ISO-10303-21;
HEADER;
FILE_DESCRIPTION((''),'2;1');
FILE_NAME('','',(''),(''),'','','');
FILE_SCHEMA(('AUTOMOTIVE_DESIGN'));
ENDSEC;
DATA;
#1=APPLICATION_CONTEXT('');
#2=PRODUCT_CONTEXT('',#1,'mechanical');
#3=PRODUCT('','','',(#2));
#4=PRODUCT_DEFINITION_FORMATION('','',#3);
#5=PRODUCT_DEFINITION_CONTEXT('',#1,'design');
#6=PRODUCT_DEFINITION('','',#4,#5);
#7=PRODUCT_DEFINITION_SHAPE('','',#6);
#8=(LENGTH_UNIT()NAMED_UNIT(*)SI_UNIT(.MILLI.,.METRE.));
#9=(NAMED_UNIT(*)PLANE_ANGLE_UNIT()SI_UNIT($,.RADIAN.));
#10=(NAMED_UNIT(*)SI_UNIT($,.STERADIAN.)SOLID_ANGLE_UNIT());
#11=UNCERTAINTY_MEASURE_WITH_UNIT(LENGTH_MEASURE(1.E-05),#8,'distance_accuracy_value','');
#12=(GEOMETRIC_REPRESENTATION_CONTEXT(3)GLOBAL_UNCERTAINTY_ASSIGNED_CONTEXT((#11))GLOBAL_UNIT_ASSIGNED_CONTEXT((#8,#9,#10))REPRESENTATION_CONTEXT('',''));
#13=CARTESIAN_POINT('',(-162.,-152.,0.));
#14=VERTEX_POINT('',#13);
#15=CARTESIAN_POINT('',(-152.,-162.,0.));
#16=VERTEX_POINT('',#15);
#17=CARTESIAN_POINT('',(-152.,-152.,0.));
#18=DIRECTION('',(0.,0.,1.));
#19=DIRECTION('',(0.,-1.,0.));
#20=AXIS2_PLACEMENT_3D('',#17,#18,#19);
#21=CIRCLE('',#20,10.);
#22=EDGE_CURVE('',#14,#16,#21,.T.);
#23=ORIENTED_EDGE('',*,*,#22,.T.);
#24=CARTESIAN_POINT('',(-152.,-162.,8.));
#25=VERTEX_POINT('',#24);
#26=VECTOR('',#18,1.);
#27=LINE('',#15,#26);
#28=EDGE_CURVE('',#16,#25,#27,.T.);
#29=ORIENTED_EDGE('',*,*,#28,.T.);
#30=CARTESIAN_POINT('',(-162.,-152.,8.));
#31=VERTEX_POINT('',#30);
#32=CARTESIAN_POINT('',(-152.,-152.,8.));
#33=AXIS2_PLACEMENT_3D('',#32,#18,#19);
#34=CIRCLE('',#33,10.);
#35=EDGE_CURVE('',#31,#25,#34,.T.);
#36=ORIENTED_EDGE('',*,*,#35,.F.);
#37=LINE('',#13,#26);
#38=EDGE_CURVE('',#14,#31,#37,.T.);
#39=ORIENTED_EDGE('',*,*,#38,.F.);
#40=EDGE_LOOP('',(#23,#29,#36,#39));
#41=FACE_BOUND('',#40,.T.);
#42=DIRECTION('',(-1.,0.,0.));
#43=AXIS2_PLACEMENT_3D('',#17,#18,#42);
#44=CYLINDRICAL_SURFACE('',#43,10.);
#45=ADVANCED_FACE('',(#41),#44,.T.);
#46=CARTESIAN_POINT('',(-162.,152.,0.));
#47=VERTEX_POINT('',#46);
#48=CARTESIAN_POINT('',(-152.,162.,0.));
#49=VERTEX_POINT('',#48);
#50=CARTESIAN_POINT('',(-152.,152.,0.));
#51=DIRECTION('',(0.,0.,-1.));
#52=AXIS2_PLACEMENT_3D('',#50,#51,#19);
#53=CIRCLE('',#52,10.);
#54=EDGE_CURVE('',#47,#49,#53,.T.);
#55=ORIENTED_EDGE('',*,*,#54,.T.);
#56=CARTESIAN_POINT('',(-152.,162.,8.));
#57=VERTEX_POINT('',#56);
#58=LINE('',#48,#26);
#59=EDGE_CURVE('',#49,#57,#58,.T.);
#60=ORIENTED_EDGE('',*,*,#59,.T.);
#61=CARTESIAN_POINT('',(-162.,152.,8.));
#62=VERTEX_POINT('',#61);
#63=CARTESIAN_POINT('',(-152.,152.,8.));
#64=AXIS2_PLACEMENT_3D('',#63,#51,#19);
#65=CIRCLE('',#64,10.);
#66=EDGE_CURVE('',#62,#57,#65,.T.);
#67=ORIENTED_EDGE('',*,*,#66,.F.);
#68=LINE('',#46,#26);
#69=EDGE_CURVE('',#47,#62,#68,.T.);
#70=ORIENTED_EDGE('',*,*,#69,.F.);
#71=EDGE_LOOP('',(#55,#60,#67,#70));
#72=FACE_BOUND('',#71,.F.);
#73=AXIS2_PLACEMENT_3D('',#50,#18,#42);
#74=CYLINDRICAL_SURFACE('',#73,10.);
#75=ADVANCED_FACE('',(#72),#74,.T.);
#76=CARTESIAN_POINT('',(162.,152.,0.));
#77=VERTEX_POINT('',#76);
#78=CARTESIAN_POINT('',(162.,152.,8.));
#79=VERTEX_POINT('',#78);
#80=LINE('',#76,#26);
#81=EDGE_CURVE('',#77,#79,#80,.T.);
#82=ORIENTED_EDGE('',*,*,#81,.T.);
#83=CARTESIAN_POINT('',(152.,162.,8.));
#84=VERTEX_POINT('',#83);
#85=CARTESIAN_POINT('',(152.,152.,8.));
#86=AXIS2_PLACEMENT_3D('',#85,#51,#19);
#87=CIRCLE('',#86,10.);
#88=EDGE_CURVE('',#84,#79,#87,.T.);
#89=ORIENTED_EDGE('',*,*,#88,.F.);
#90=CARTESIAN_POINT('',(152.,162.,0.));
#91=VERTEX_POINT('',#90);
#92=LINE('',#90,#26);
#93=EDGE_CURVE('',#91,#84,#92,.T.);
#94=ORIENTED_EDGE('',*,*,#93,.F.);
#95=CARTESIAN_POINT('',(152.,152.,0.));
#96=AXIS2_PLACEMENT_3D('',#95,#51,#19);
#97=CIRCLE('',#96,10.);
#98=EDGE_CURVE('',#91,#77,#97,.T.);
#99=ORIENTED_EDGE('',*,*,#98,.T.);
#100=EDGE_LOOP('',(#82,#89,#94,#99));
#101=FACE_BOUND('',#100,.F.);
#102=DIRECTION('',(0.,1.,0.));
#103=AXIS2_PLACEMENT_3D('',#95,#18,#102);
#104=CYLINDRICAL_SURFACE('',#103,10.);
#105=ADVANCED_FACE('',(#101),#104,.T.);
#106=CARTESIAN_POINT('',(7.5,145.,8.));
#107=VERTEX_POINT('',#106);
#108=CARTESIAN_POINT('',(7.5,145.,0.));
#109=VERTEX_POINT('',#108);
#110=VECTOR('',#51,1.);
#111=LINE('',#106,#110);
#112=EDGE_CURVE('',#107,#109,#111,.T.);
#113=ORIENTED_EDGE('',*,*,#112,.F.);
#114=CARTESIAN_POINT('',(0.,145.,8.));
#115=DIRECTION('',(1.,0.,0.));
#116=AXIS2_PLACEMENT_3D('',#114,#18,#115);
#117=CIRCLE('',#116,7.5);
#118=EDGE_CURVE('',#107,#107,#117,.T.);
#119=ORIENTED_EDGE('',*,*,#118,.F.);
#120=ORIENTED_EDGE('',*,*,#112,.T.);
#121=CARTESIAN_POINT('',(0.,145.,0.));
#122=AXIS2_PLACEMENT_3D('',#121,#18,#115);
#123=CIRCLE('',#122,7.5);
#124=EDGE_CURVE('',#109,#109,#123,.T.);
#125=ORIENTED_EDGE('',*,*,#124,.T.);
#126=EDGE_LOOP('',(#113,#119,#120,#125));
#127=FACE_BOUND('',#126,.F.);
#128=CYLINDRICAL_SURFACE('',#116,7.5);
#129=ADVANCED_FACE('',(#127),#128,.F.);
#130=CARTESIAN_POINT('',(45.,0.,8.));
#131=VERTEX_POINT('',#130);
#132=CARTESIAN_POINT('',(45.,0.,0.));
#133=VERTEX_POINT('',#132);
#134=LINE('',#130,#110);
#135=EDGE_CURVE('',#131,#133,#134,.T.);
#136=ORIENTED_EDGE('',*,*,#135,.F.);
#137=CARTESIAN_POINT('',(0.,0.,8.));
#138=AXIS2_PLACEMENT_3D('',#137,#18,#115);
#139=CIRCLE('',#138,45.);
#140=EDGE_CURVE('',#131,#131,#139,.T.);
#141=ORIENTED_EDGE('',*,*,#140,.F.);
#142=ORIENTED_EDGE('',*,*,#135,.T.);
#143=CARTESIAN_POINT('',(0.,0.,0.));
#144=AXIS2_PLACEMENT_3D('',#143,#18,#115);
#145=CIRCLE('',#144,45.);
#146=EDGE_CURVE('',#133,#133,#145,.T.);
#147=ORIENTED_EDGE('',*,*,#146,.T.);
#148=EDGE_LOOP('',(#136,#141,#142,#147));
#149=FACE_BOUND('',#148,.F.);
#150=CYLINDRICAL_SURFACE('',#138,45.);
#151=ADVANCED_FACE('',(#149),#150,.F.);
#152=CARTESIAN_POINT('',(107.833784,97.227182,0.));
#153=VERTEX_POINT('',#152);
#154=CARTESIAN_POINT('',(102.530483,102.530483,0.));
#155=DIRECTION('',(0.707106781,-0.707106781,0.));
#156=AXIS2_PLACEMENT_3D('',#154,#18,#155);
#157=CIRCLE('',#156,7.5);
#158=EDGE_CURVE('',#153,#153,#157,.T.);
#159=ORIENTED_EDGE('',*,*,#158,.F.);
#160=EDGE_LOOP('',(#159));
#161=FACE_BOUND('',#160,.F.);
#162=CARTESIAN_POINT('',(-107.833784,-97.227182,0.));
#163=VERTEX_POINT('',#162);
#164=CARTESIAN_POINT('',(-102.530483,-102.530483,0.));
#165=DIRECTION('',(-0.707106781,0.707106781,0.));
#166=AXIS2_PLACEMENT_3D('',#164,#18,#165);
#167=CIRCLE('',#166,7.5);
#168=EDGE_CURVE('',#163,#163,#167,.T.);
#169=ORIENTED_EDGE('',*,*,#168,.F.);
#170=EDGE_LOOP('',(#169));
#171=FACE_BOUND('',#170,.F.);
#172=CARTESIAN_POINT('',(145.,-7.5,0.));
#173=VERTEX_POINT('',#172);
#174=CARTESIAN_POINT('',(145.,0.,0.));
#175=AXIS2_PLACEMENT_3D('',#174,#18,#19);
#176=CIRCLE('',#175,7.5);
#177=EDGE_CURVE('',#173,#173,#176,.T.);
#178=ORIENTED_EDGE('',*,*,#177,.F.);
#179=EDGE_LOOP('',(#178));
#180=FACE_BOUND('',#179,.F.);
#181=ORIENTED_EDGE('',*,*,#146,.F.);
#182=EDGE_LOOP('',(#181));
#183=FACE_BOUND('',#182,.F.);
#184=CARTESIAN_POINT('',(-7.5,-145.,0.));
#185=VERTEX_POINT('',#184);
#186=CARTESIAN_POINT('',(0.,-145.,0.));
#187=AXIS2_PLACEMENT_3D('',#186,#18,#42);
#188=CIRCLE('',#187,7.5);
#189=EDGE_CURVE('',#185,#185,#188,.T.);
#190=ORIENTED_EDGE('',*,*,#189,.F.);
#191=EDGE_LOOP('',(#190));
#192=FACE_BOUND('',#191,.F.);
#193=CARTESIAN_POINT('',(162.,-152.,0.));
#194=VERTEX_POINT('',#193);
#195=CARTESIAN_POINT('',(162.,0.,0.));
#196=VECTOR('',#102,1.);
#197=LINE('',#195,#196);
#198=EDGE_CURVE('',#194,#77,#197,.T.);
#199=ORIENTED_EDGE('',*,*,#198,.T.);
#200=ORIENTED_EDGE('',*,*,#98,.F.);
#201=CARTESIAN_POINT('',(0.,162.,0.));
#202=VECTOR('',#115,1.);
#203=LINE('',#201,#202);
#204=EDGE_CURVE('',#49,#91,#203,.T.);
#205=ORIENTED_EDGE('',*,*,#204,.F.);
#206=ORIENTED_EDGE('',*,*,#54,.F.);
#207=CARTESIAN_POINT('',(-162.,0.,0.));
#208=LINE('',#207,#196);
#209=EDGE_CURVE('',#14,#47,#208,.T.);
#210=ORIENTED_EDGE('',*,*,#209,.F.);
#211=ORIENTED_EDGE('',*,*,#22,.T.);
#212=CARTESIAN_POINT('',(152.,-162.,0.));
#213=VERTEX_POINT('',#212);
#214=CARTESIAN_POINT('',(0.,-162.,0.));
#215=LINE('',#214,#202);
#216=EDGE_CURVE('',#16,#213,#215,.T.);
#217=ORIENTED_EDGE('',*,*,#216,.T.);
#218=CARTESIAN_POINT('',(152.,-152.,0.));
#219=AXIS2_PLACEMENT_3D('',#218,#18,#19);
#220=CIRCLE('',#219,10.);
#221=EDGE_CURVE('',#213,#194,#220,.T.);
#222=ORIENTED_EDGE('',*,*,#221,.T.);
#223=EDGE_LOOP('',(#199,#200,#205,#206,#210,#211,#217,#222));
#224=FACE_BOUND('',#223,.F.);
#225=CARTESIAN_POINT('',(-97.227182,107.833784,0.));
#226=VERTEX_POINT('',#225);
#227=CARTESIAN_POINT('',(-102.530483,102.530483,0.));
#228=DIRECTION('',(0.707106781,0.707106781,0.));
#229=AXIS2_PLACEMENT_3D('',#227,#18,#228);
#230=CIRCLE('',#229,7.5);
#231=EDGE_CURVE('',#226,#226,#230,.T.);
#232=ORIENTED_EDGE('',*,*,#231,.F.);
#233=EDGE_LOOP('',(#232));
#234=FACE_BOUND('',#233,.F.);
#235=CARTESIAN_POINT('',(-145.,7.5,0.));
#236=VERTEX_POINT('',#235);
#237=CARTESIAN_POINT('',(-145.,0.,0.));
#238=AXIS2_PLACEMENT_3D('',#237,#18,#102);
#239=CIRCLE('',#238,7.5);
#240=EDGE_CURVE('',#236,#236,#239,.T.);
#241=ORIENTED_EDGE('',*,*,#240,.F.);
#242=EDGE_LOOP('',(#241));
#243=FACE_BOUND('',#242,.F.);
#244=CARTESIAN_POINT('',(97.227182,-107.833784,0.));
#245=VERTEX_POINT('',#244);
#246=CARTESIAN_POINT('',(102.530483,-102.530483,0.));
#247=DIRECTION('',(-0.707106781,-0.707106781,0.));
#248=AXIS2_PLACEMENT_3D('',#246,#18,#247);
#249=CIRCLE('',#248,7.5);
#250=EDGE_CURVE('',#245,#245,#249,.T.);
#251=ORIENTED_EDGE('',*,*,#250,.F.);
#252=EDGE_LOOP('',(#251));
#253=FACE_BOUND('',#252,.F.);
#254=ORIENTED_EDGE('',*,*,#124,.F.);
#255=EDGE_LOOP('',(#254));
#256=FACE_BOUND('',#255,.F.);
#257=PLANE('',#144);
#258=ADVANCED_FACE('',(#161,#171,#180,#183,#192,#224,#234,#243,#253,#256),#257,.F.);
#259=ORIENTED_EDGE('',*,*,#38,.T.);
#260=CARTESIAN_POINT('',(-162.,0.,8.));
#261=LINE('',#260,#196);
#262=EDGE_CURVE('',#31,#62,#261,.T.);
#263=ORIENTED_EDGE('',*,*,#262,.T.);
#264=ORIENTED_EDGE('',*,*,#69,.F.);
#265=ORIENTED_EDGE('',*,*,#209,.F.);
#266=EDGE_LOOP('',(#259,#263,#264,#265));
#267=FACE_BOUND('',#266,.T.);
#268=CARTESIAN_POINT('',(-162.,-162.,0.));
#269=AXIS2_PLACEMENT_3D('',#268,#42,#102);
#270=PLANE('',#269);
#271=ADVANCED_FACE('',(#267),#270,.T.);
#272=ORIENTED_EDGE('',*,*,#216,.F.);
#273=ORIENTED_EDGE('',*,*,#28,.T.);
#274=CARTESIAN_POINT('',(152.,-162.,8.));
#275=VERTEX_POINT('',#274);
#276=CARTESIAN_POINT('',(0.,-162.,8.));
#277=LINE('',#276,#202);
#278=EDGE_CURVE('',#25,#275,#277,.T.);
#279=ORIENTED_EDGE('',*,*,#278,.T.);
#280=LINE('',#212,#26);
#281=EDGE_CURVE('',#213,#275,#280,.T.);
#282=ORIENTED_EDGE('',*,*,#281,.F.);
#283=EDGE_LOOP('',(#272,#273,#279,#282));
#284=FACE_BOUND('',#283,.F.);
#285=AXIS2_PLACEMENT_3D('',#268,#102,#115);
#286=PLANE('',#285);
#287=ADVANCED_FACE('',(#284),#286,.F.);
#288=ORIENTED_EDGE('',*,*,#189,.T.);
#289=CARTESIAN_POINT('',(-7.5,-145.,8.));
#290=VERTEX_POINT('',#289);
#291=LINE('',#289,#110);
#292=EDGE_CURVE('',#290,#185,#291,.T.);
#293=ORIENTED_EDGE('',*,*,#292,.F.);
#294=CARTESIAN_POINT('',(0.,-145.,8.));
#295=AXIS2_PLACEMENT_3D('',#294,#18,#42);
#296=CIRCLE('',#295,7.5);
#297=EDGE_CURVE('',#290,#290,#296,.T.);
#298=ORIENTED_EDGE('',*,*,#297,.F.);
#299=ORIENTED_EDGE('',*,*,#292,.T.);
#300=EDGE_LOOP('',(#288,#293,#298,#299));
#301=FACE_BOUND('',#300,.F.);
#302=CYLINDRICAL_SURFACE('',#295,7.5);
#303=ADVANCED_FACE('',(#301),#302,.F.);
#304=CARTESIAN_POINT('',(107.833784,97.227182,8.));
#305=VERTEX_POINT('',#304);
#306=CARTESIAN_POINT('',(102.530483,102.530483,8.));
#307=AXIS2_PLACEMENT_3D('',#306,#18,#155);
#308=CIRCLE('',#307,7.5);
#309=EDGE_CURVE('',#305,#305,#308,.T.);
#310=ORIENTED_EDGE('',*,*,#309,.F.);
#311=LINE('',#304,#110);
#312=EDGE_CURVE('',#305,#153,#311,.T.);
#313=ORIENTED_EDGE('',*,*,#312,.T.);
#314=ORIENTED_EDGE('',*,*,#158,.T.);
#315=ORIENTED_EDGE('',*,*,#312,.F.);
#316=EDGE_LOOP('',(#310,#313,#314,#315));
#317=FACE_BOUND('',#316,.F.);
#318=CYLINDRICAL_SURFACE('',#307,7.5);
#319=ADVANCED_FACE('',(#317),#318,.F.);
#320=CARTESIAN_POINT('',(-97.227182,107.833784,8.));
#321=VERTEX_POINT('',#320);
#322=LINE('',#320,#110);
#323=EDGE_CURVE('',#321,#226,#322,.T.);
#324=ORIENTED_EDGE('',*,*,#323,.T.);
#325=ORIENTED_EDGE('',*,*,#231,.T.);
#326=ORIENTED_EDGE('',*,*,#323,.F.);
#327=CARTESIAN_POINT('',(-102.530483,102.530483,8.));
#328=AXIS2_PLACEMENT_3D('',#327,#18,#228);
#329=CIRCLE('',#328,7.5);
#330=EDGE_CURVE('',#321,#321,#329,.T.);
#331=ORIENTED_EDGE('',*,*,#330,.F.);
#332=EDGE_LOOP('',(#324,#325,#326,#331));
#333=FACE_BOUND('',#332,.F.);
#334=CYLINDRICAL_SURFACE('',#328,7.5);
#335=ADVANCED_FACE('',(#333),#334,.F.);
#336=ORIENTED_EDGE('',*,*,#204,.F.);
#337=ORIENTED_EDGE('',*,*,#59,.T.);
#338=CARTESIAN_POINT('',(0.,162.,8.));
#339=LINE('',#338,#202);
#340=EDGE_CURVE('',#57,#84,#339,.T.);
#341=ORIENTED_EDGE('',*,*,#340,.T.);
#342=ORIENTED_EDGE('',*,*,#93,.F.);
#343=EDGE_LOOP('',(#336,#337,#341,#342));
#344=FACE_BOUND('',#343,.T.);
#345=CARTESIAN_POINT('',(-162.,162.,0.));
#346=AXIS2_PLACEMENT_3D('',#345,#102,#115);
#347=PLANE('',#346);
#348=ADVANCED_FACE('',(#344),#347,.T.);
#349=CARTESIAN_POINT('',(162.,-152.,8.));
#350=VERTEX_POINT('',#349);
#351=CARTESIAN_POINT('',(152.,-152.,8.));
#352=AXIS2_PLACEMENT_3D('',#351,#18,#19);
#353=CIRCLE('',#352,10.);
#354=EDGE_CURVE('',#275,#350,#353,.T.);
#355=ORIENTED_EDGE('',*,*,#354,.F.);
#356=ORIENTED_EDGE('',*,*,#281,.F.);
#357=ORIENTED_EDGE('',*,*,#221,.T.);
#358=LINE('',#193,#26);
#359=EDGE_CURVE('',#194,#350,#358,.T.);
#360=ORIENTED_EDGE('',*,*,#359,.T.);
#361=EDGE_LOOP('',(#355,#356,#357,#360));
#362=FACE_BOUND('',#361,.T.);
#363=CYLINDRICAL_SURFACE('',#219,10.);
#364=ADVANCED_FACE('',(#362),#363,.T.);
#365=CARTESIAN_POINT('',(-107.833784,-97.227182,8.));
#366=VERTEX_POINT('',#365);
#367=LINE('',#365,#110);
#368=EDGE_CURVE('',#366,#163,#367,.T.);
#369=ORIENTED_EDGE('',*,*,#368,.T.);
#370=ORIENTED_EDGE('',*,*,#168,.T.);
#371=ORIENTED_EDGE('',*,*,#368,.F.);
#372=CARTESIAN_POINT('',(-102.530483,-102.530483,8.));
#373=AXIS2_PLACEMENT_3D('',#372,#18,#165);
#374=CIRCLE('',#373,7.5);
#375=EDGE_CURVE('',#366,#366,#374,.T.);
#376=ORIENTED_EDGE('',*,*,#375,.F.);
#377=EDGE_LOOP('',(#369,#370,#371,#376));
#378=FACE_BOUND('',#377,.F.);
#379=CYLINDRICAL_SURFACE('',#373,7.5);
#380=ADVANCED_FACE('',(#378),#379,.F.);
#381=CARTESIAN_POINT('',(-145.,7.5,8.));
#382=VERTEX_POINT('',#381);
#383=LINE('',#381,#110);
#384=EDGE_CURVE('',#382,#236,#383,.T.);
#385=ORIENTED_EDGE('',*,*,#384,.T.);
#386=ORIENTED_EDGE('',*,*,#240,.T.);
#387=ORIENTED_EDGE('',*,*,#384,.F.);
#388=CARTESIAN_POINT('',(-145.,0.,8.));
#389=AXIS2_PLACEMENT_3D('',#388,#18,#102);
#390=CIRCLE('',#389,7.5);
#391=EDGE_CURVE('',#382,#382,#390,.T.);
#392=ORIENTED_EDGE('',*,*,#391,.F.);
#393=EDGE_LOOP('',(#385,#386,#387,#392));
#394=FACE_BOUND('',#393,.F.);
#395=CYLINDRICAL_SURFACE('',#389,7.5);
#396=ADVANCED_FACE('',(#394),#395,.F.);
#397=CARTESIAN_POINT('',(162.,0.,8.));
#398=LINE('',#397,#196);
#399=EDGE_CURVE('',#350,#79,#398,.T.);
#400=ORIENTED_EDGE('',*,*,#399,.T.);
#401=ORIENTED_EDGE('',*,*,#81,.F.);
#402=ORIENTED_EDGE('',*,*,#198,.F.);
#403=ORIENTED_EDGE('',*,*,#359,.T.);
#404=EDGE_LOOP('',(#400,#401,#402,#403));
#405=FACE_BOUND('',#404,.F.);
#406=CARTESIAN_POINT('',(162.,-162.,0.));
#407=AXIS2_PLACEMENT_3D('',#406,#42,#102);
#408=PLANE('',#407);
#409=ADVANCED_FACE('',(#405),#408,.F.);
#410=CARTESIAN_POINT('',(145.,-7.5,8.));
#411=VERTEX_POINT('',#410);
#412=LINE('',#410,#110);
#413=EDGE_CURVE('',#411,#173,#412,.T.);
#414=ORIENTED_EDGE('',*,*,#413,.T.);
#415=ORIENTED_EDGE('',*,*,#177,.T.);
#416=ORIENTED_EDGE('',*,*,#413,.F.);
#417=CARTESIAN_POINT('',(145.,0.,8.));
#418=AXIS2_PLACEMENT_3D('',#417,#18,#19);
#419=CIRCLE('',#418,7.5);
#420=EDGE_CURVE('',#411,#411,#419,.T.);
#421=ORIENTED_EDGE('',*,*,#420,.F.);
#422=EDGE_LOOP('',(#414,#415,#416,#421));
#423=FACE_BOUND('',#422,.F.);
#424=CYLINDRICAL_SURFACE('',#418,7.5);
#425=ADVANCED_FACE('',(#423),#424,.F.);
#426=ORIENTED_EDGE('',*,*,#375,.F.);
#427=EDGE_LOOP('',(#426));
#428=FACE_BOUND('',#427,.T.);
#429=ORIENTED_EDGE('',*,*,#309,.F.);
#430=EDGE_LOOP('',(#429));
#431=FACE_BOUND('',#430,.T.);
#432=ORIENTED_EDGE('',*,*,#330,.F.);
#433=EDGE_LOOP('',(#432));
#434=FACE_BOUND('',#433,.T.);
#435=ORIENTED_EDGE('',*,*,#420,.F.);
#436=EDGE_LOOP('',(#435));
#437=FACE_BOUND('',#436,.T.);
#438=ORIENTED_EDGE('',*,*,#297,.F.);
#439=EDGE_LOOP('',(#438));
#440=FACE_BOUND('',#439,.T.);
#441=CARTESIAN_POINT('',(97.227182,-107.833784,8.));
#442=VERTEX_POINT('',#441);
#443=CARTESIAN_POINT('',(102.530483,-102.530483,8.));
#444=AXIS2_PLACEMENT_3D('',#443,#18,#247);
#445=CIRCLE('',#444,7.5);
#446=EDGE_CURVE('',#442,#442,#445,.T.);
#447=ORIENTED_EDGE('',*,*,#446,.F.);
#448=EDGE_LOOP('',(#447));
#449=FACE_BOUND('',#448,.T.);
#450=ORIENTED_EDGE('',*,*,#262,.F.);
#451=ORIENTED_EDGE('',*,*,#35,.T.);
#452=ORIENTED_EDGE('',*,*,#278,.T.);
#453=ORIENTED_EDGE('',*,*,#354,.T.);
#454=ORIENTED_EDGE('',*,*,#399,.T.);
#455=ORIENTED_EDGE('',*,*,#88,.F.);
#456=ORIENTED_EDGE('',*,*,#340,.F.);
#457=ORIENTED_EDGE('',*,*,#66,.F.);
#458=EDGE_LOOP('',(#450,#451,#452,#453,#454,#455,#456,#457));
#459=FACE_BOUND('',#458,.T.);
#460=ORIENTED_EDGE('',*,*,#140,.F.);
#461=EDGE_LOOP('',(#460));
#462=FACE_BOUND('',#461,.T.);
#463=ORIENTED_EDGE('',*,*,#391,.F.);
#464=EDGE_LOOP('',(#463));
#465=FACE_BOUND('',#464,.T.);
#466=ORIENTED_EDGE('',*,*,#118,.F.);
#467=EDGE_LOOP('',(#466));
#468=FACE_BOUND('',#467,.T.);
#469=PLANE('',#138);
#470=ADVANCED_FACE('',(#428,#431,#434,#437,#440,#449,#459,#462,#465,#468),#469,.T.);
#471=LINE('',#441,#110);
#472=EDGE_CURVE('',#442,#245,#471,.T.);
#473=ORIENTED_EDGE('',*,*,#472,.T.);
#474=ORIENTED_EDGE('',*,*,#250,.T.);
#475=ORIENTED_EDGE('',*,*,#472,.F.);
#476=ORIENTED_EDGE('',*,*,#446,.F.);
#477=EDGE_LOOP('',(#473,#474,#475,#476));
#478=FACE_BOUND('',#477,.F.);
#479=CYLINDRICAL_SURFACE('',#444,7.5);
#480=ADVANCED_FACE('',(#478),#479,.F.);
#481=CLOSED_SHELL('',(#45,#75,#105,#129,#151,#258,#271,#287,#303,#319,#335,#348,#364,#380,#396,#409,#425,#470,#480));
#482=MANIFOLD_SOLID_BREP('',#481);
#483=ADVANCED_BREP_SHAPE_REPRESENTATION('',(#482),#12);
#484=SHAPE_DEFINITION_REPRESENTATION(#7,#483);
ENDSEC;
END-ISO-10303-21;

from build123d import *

# Parameters (mm, degrees)
SKETCH1_W           = 324
SKETCH1_H           = 324
BOSS_EXTRUDE1_DEPTH = 8
SKETCH2_R           = 7.5
CUT_EXTRUDE1_DEPTH  = 8
SKETCH3_R           = 45
CUT_EXTRUDE2_DEPTH  = 10
CIRPATTERN1_COUNT   = 8
FILLET1_R           = 10


with BuildPart() as part:
    # Sketch1 → Boss-Extrude1 (new body)
    with BuildSketch(Plane.XY):
        Rectangle(SKETCH1_W, SKETCH1_H)
    extrude(amount=BOSS_EXTRUDE1_DEPTH)

    # Sketch2 → Cut-Extrude1 (cut)
    with BuildSketch(Plane.XY.offset(8)):
        with Locations((0, 145)):
            Circle(SKETCH2_R)
    cut_extrude1 = extrude(amount=-CUT_EXTRUDE1_DEPTH, mode=Mode.SUBTRACT)

    # Sketch3 → Cut-Extrude2 (cut)
    with BuildSketch(Plane.XY.offset(8)):
        Circle(SKETCH3_R)
    extrude(amount=-CUT_EXTRUDE2_DEPTH, mode=Mode.SUBTRACT)

    # CirPattern1: Cut-Extrude1 ×8 about axis
    cirpattern1_axis = Axis((0, 0, 0), (0, 0, 1))
    for i in range(1, CIRPATTERN1_COUNT):
        add(cut_extrude1.rotate(cirpattern1_axis, i * 360 / CIRPATTERN1_COUNT), mode=Mode.SUBTRACT)

    # Fillet1
    fillet1_edges = [part.edges().sort_by_distance(p)[0] for p in [
        (162, -162, 4),
        (-162, -162, 4),
        (-162, 162, 4),
        (162, 162, 4),
    ]]
    fillet(fillet1_edges, radius=FILLET1_R)


solid = part.part
